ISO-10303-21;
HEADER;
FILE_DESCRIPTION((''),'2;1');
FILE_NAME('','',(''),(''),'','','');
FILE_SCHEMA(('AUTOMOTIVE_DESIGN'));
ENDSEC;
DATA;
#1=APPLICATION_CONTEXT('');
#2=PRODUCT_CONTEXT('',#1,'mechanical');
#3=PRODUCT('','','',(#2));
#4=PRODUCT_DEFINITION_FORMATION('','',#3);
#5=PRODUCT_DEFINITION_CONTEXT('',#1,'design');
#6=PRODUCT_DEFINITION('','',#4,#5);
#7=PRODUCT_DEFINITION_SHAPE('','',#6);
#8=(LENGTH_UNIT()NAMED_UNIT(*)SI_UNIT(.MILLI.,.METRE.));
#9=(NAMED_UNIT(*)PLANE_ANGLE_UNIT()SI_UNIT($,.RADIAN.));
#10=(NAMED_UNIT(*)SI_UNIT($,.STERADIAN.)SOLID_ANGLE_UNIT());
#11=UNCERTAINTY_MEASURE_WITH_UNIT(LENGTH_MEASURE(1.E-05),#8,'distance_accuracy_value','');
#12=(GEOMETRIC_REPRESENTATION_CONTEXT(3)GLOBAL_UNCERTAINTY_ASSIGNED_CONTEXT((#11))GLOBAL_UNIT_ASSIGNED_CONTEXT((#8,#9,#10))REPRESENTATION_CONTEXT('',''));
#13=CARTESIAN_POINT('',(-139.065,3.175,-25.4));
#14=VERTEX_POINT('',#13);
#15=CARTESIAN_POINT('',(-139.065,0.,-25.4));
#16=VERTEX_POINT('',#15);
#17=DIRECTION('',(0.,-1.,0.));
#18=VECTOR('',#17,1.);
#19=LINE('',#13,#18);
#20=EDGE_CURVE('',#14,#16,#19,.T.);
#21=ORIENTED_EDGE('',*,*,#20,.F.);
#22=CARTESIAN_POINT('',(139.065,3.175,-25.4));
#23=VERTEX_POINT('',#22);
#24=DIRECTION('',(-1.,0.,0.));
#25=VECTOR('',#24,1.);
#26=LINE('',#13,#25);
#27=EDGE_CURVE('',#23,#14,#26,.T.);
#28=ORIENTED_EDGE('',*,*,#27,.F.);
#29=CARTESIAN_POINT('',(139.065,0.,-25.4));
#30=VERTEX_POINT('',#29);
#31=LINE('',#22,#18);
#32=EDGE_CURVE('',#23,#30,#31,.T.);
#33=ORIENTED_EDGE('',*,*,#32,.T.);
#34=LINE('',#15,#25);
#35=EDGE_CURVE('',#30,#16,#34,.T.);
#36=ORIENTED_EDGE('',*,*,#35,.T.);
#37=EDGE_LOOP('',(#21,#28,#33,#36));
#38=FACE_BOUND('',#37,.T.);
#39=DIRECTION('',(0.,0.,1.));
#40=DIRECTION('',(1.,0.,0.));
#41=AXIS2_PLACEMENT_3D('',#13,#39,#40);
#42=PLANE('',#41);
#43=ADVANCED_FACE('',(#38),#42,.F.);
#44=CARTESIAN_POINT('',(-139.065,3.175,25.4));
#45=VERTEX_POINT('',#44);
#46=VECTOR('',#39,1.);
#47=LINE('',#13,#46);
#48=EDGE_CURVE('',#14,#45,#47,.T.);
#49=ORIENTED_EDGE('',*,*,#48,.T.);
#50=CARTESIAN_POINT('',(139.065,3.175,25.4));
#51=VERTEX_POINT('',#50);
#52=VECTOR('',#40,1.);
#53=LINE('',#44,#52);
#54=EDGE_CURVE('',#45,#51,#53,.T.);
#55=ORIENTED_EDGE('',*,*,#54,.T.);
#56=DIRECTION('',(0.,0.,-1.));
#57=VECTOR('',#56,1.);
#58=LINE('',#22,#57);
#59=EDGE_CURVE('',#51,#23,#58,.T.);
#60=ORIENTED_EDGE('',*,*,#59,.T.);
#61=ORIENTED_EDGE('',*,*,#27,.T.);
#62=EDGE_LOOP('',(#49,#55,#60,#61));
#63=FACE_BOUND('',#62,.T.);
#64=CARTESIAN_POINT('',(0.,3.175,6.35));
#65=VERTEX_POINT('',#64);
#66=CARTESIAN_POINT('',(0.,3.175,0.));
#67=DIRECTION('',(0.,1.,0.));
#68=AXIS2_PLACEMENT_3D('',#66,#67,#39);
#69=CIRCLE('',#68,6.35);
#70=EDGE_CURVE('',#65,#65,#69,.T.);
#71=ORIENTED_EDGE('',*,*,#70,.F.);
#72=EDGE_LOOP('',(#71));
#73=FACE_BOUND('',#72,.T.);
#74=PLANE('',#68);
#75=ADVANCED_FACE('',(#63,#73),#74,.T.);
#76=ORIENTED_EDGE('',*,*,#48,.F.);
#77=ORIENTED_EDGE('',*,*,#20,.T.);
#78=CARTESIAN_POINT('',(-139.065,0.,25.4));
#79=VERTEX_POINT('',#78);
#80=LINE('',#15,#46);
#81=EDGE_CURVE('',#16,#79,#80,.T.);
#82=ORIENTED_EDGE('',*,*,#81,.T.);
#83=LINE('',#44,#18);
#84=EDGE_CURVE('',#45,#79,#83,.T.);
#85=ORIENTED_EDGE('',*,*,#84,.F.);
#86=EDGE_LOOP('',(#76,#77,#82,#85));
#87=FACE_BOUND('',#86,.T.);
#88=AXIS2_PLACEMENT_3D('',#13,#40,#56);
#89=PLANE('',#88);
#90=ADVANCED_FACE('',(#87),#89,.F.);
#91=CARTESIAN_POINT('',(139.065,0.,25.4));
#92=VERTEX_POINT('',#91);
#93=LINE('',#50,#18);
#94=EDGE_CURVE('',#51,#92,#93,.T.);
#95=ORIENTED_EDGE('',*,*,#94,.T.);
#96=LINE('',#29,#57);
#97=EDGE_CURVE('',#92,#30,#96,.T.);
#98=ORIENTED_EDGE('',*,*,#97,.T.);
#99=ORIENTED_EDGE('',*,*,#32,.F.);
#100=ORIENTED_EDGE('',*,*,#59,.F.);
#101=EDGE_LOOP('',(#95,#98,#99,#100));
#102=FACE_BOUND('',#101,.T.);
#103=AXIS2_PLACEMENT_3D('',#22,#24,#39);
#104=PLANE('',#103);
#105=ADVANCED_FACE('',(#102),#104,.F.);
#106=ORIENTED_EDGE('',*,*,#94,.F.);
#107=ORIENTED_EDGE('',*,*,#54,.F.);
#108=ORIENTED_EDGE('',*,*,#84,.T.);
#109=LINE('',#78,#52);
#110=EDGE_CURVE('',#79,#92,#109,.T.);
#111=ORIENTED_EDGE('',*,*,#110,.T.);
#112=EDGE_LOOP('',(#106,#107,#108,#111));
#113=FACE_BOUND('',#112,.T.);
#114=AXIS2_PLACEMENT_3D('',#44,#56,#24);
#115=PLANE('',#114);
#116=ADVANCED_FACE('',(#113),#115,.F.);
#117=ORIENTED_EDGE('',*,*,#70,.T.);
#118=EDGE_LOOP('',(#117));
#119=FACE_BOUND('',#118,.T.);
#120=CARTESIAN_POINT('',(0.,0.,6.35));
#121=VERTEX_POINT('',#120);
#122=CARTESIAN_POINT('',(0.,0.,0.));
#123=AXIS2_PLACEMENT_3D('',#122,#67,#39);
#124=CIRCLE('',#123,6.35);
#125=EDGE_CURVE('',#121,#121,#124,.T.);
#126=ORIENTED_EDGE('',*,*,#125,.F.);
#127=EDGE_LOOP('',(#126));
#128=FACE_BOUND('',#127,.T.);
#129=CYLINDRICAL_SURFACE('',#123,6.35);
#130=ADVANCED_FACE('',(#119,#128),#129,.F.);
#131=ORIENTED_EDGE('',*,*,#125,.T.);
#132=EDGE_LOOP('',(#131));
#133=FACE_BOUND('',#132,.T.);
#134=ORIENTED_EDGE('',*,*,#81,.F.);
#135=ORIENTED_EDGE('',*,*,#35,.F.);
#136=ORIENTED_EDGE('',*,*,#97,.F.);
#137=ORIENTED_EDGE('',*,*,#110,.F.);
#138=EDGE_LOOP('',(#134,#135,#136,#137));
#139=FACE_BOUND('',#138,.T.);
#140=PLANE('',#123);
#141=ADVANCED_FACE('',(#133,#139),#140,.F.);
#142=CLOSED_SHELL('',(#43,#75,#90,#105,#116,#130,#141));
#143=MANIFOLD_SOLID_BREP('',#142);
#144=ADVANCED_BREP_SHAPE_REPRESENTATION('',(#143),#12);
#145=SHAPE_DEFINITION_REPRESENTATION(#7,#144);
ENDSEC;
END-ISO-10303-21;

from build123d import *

# Parameters (mm, degrees)
SKETCH1_W           = 278.13
SKETCH1_H           = 50.8
BOSS_EXTRUDE1_DEPTH = 3.175
SKETCH2_R           = 6.35
CUT_EXTRUDE1_DEPTH  = 142.401254768


with BuildPart() as part:
    # Sketch1 → Boss-Extrude1 (new body)
    with BuildSketch(Plane(origin=(0, 0, 0), x_dir=(1, 0, 0), z_dir=(0, 1, 0))):
        Rectangle(SKETCH1_W, SKETCH1_H)
    extrude(amount=BOSS_EXTRUDE1_DEPTH)

    # Sketch2 → Cut-Extrude1 (cut, through all)
    with BuildSketch(Plane(origin=(0, 3.175, 0), x_dir=(1, 0, 0), z_dir=(0, 1, 0))):
        with Locations(Location((0, 0, 0), (0, 0, 270))):
            Circle(SKETCH2_R)
    extrude(amount=-CUT_EXTRUDE1_DEPTH, mode=Mode.SUBTRACT)


solid = part.part
